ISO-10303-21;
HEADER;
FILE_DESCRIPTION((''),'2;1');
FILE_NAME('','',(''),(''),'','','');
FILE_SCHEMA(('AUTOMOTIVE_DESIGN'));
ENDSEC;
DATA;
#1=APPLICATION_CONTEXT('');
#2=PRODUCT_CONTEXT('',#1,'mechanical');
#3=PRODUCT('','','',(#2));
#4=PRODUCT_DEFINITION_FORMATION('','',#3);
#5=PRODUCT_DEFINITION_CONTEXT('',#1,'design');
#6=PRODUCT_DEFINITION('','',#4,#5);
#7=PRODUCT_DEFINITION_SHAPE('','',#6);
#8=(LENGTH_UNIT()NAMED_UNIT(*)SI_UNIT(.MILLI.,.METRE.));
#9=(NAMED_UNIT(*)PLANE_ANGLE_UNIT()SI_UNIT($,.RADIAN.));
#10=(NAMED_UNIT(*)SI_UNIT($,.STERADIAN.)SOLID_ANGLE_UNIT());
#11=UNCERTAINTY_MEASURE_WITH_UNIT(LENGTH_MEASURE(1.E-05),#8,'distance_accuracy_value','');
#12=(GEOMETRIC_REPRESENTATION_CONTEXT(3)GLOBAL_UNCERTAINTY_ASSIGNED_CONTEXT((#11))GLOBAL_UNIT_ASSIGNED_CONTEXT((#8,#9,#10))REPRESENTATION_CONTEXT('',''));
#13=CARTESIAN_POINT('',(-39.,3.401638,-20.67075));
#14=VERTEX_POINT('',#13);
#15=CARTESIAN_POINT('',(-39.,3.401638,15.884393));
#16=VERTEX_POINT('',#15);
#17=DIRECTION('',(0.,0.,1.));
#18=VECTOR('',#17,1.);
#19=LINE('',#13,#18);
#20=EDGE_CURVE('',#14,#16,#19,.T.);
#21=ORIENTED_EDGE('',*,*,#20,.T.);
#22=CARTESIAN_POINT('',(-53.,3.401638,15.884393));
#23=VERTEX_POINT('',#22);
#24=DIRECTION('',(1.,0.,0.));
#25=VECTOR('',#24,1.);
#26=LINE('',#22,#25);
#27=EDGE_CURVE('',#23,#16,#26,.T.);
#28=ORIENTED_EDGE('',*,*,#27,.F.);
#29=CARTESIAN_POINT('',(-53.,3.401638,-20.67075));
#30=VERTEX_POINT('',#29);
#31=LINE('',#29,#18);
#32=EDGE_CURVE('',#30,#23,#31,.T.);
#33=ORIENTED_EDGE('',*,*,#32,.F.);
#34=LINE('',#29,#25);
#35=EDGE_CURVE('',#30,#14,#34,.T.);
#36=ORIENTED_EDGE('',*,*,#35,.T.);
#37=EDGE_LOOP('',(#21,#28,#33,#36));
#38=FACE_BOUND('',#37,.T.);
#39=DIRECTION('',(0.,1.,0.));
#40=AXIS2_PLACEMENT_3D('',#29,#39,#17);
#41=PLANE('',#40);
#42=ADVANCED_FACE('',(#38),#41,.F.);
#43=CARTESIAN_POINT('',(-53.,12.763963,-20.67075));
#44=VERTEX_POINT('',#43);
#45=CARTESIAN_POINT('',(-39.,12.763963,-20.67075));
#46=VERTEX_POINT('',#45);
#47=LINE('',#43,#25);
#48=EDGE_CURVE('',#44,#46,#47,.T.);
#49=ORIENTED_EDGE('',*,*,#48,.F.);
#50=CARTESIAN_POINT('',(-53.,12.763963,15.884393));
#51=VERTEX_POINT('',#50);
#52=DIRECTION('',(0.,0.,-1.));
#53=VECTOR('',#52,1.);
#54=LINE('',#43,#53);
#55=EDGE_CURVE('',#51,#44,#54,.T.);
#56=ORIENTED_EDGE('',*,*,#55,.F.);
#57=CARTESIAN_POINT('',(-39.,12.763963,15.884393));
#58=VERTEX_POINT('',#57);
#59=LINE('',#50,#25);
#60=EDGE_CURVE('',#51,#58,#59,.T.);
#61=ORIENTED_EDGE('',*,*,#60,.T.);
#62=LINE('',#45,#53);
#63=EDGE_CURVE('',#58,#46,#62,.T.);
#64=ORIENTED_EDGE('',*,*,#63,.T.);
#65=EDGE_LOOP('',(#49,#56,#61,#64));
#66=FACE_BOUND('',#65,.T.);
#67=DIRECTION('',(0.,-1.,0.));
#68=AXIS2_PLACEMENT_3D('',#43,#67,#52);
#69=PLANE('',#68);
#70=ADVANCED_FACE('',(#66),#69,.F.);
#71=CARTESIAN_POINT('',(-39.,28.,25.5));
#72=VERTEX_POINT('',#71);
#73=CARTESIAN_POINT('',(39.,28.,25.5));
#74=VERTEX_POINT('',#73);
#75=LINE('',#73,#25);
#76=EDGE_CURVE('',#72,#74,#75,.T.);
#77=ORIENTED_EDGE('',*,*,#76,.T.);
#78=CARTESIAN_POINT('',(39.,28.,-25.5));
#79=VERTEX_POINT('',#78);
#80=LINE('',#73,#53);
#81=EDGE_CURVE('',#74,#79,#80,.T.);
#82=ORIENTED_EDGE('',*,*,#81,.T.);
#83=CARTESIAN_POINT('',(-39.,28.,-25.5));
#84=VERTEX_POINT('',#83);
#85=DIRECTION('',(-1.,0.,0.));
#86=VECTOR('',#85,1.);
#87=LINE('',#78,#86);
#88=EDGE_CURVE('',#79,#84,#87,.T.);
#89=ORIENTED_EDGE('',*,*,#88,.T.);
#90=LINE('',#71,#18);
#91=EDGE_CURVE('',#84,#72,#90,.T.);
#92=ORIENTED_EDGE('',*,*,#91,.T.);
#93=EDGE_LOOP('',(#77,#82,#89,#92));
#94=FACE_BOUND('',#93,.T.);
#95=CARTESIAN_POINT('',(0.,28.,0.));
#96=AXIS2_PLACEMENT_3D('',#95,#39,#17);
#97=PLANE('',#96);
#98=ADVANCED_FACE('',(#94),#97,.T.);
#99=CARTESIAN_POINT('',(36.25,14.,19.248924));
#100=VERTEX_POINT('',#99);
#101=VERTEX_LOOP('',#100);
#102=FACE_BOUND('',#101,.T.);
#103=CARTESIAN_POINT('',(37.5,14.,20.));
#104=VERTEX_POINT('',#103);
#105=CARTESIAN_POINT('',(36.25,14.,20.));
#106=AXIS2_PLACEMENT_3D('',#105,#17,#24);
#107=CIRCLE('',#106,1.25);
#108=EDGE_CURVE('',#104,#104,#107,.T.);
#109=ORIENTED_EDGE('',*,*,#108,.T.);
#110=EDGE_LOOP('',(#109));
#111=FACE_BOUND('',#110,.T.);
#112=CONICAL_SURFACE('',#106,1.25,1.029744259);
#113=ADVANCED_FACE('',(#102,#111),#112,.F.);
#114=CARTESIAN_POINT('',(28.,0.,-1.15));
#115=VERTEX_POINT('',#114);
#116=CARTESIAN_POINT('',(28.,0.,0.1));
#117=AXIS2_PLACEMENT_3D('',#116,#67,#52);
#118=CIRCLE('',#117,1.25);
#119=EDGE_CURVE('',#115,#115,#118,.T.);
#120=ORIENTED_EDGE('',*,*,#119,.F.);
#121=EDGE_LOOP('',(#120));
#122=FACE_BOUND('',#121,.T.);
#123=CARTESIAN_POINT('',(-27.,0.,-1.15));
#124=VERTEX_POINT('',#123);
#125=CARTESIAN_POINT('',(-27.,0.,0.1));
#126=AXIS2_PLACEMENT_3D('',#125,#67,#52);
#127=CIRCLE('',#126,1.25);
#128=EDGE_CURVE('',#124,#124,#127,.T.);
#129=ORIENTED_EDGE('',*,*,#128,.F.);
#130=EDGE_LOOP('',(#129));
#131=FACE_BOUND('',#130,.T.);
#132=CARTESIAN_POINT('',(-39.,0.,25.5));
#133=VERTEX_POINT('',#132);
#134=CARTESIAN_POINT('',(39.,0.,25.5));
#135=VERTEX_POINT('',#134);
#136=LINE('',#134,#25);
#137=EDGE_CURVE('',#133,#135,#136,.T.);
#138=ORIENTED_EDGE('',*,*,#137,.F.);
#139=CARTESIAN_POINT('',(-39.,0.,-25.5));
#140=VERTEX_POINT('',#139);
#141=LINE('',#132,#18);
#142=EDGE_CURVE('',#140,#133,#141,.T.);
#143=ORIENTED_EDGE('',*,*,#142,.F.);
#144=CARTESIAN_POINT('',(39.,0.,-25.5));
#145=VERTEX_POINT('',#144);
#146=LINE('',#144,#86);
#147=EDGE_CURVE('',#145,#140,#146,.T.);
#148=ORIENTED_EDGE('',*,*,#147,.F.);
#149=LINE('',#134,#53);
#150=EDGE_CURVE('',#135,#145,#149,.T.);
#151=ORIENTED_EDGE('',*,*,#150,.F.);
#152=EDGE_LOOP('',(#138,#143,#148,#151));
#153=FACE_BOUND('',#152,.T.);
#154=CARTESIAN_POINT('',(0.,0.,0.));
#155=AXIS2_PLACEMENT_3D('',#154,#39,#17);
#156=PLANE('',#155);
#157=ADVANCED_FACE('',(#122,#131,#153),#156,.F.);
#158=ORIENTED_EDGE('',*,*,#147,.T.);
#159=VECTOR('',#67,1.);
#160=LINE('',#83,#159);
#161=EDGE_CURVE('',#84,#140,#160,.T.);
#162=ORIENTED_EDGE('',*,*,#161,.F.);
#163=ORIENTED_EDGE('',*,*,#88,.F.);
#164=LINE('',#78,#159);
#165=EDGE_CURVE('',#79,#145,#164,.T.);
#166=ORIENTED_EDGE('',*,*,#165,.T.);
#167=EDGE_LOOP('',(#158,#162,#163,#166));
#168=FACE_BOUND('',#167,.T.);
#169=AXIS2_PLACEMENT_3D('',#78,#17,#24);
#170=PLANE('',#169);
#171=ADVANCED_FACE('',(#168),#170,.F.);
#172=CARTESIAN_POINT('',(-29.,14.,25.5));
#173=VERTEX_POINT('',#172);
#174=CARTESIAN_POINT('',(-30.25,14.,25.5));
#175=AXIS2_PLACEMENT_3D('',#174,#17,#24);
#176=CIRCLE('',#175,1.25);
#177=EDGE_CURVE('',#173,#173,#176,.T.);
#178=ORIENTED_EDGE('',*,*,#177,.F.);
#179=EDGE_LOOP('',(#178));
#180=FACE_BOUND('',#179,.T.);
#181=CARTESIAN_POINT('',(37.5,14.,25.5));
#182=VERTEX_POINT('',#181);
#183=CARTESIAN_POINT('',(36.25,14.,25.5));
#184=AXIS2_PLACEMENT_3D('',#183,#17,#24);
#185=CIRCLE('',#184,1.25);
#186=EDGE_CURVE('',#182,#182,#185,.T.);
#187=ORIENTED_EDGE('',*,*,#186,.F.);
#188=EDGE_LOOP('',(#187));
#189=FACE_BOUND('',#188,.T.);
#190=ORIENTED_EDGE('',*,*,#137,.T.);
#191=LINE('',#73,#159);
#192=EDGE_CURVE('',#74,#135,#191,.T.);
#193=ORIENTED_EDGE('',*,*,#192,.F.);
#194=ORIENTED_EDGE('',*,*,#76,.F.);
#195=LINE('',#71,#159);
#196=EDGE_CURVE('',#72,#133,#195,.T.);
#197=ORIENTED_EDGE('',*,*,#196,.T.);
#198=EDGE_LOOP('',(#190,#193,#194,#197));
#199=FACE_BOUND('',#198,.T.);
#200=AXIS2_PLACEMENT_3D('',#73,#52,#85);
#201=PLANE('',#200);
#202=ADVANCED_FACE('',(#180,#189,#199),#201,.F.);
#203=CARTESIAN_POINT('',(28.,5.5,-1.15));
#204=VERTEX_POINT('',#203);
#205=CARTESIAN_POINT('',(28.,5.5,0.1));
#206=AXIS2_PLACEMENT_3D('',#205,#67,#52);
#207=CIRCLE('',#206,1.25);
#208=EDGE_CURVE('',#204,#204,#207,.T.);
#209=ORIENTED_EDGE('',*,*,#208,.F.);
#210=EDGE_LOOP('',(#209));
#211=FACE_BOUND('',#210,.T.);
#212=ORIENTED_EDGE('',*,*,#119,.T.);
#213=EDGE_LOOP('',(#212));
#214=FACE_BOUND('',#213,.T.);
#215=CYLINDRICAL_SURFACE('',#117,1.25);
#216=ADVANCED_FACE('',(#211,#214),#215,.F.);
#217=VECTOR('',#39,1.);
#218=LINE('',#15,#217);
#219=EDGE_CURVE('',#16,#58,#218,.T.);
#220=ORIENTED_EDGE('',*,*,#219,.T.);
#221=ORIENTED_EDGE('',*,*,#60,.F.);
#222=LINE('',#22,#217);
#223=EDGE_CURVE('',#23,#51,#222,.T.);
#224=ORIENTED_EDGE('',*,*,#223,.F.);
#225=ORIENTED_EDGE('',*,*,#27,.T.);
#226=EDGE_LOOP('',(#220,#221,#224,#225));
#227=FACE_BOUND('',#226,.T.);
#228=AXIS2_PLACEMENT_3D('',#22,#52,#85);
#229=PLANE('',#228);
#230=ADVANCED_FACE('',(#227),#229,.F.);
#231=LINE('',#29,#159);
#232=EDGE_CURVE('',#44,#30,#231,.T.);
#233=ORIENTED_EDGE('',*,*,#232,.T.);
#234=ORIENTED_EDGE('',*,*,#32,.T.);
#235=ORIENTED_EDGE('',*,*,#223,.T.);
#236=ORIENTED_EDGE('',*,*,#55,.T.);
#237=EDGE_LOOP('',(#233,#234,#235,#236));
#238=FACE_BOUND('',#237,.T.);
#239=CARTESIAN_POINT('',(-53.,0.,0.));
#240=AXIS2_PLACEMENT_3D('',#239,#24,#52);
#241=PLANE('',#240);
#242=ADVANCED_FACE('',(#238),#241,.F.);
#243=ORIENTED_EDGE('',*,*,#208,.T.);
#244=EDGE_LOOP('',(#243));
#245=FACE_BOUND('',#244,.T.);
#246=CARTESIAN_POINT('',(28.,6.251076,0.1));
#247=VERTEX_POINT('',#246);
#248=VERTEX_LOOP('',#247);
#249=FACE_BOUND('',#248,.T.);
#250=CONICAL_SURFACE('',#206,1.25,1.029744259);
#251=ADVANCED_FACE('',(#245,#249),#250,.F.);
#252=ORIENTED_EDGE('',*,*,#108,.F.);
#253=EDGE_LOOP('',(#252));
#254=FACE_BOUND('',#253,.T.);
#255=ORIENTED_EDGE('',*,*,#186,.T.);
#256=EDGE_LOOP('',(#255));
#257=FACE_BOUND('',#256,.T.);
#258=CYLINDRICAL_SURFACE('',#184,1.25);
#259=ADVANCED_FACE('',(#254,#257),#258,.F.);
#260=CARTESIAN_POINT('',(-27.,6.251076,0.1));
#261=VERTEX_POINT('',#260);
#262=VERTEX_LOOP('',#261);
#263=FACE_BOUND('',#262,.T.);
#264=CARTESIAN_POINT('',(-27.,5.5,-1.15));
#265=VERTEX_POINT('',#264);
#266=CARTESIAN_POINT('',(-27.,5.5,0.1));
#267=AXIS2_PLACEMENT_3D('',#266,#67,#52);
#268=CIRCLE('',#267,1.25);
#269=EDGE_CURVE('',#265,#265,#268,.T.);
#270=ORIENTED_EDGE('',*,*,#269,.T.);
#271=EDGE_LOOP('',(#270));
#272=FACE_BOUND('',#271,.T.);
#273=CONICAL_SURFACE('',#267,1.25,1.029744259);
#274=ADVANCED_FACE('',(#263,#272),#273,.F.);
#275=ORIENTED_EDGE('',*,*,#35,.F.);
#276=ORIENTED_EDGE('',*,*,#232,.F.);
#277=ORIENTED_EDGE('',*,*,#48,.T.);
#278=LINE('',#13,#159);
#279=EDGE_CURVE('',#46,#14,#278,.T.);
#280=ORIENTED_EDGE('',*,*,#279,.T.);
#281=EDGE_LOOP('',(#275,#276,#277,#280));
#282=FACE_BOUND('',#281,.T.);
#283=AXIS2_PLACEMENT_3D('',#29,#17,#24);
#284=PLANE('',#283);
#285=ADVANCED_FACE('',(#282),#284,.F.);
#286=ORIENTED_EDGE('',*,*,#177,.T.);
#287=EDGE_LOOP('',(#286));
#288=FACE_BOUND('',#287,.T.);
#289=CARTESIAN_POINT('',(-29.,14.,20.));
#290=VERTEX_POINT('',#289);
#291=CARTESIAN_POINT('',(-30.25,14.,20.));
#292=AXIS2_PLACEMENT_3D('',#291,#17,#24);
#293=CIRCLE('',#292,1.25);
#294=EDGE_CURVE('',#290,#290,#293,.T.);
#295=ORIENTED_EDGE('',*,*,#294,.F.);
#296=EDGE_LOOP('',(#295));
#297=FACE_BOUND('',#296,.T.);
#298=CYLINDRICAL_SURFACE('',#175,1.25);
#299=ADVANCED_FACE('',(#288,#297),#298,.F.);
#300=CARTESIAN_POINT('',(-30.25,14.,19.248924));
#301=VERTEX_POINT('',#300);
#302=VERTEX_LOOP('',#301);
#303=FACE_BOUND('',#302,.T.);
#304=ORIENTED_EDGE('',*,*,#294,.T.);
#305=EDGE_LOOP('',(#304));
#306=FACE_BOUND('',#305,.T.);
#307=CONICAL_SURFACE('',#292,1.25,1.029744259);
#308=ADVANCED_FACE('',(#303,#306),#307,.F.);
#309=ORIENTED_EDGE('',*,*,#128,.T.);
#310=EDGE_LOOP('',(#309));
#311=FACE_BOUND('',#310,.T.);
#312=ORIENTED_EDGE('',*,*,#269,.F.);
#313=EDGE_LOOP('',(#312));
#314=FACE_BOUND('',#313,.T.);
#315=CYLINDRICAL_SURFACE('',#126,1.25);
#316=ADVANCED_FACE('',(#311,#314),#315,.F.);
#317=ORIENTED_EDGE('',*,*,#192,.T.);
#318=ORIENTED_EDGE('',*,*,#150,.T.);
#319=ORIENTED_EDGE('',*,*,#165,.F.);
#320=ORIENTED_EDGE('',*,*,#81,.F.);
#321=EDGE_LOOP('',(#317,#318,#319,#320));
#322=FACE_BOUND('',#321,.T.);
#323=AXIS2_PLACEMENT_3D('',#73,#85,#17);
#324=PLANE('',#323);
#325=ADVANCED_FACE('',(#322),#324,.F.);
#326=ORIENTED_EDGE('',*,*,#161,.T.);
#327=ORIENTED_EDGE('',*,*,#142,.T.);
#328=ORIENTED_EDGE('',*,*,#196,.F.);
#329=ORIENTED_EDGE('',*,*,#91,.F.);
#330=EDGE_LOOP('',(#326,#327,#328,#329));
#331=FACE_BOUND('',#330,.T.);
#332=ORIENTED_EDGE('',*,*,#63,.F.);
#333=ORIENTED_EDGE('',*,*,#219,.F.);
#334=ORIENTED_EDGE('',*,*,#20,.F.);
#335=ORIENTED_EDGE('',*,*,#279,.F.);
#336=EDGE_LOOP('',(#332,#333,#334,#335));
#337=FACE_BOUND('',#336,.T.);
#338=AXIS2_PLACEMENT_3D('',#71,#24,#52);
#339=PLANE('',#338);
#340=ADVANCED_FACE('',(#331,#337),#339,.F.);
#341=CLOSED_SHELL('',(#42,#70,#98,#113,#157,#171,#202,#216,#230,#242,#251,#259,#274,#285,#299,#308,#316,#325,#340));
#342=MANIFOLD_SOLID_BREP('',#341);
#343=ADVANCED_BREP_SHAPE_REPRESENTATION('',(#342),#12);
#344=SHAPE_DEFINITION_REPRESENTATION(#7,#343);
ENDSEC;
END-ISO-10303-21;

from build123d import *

# Parameters (mm, degrees)
SKETCH_1_W            = 78
SKETCH_1_H            = 51
EXTRUDE_1_DEPTH       = 28
HOLE_WIZARD_M31_D     = 2.5
HOLE_WIZARD_M31_DEPTH = 5.5
HOLE_WIZARD_M31_TIP   = 0.751075774
HOLE_WIZARD_M32_D     = 2.5
HOLE_WIZARD_M32_DEPTH = 5.5
HOLE_WIZARD_M32_TIP   = 0.751075774
SKETCH_6_W            = 36.55514342
SKETCH_6_H            = 9.362324501
EXTRUDE_2_DEPTH       = 14


with BuildPart() as part:
    # Эскиз1 → Бобышка-Вытянуть1 (new body)
    with BuildSketch(Plane(origin=(0, 0, 0), x_dir=(1, 0, 0), z_dir=(0, 1, 0))):
        Rectangle(SKETCH_1_W, SKETCH_1_H)
    extrude(amount=EXTRUDE_1_DEPTH)

    # Отверстие обработанное метчиком M31
    with Locations(Plane.XY.offset(25.5)):
        with Locations((36.25, 14), (-30.25, 14)):
            Hole(HOLE_WIZARD_M31_D / 2, depth=HOLE_WIZARD_M31_DEPTH)
            with Locations((0, 0, -(HOLE_WIZARD_M31_DEPTH + HOLE_WIZARD_M31_TIP / 2))):  # 118° drill point
                Cone(0, HOLE_WIZARD_M31_D / 2, HOLE_WIZARD_M31_TIP, mode=Mode.SUBTRACT)

    # Отверстие обработанное метчиком M32
    with Locations(Plane(origin=(0, 0, 0), x_dir=(-1, 0, 0), z_dir=(0, -1, 0))):
        with Locations((-28, -0.1), (27, -0.1)):
            Hole(HOLE_WIZARD_M32_D / 2, depth=HOLE_WIZARD_M32_DEPTH)
            with Locations((0, 0, -(HOLE_WIZARD_M32_DEPTH + HOLE_WIZARD_M32_TIP / 2))):  # 118° drill point
                Cone(0, HOLE_WIZARD_M32_D / 2, HOLE_WIZARD_M32_TIP, mode=Mode.SUBTRACT)

    # Эскиз6 → Бобышка-Вытянуть2 (add)
    with BuildSketch(Plane.ZY.offset(39)):
        with Locations((-2.393178454, 8.082800526)):
            Rectangle(SKETCH_6_W, SKETCH_6_H)
    extrude(amount=EXTRUDE_2_DEPTH)


solid = part.part
